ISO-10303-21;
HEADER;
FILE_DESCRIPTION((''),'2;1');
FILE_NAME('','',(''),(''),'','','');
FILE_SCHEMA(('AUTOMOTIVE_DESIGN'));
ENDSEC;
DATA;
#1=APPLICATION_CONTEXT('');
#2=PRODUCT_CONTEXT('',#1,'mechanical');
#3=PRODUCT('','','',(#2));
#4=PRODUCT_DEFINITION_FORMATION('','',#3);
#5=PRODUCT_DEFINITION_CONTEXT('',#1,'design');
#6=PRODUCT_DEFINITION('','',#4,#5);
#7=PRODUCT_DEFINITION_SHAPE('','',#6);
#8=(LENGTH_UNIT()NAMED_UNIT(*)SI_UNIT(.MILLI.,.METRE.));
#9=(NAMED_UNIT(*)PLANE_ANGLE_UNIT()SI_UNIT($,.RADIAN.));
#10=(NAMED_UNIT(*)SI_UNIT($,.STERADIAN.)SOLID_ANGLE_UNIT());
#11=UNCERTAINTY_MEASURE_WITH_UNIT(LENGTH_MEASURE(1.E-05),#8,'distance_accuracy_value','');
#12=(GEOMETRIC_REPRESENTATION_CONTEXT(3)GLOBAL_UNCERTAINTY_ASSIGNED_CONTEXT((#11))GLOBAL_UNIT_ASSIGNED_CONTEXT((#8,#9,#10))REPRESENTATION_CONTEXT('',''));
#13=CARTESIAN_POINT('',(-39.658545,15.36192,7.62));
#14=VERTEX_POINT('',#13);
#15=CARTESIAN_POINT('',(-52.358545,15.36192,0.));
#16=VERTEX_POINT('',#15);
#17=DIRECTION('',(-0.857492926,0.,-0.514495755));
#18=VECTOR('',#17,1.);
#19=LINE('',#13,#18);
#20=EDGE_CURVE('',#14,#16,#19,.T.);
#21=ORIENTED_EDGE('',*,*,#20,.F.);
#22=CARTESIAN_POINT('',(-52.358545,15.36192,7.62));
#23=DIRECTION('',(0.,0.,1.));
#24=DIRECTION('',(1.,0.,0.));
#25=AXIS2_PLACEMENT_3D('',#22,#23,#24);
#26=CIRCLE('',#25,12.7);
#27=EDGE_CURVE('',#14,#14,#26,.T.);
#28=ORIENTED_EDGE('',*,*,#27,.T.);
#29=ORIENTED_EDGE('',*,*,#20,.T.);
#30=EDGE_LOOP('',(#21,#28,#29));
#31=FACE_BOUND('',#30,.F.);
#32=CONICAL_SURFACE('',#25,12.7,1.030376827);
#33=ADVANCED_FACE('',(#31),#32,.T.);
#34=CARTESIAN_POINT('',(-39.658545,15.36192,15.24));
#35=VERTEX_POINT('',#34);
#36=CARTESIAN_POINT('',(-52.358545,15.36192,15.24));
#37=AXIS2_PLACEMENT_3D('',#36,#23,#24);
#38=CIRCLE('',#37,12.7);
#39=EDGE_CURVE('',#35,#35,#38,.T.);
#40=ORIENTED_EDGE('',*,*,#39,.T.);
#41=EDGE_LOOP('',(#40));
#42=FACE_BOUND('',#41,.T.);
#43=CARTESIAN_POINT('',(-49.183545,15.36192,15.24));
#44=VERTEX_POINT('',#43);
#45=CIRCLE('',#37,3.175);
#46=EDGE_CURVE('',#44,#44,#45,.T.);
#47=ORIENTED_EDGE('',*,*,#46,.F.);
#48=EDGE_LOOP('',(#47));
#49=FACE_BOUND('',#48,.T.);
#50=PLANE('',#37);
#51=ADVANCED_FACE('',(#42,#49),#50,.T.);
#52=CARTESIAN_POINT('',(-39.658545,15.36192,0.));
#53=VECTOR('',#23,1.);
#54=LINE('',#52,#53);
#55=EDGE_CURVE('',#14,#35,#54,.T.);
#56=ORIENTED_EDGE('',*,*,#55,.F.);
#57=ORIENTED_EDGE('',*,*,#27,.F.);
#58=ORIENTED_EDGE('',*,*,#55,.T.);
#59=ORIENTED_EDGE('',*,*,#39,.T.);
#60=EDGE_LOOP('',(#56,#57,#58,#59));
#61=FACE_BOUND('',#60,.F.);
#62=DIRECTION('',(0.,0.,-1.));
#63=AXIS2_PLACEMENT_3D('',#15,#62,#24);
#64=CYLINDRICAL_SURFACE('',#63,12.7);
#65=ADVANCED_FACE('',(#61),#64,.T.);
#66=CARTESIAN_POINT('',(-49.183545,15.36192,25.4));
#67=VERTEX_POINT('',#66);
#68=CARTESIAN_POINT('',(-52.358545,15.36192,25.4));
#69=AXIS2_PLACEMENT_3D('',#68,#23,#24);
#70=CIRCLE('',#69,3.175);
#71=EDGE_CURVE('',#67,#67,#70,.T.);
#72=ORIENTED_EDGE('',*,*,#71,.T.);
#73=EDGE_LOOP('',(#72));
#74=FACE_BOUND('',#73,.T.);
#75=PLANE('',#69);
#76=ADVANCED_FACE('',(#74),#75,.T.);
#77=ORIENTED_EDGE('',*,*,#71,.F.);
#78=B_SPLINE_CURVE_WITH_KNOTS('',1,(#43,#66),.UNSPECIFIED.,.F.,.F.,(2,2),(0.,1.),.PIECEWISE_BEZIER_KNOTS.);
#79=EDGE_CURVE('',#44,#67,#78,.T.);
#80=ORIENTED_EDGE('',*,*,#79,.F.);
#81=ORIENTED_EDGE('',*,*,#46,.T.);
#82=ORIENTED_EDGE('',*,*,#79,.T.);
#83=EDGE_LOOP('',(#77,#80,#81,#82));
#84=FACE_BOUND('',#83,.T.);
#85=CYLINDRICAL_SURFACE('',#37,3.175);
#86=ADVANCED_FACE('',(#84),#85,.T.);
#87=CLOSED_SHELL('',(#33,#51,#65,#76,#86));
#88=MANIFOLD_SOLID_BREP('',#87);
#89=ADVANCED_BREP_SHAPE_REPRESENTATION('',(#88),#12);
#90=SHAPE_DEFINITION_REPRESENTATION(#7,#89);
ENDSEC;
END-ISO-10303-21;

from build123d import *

# Parameters (mm, degrees)
F0_R     = 12.7
F1_DEPTH = 15.24
F2_SIZE2 = 12.7
F2_SIZE  = 7.62
F4_R     = 3.175
F5_R     = 3.175


with BuildPart() as f1:
    # F0 (on Top) → F1 (new body)
    with BuildSketch(Plane.XY):
        with Locations((-52.3585453629, 15.3619199991)):
            Circle(F0_R)
    extrude(amount=F1_DEPTH)

    # F2
    f2_edges = [f1.edges().sort_by_distance(p)[0] for p in [
        (-65.058545, 15.36192, 0),
    ]]
    f2_side = f1.faces().sort_by_distance((-65.058545, 15.36192, 7.62))[0]
    chamfer(f2_edges, length=F2_SIZE, length2=F2_SIZE2, reference=f2_side)

    # F4 (on face) → F6 section 0
    with BuildSketch(Plane.XY.offset(15.24)):
        with Locations((-52.3585453629, 15.3619199991)):
            Circle(F4_R)
    # F5 (on offset) → F6 section 1
    with BuildSketch(Plane.XY.offset(25.4)):
        with Locations((-52.3585453629, 15.3619199991)):
            Circle(F5_R)
    loft()


solid = f1.part
